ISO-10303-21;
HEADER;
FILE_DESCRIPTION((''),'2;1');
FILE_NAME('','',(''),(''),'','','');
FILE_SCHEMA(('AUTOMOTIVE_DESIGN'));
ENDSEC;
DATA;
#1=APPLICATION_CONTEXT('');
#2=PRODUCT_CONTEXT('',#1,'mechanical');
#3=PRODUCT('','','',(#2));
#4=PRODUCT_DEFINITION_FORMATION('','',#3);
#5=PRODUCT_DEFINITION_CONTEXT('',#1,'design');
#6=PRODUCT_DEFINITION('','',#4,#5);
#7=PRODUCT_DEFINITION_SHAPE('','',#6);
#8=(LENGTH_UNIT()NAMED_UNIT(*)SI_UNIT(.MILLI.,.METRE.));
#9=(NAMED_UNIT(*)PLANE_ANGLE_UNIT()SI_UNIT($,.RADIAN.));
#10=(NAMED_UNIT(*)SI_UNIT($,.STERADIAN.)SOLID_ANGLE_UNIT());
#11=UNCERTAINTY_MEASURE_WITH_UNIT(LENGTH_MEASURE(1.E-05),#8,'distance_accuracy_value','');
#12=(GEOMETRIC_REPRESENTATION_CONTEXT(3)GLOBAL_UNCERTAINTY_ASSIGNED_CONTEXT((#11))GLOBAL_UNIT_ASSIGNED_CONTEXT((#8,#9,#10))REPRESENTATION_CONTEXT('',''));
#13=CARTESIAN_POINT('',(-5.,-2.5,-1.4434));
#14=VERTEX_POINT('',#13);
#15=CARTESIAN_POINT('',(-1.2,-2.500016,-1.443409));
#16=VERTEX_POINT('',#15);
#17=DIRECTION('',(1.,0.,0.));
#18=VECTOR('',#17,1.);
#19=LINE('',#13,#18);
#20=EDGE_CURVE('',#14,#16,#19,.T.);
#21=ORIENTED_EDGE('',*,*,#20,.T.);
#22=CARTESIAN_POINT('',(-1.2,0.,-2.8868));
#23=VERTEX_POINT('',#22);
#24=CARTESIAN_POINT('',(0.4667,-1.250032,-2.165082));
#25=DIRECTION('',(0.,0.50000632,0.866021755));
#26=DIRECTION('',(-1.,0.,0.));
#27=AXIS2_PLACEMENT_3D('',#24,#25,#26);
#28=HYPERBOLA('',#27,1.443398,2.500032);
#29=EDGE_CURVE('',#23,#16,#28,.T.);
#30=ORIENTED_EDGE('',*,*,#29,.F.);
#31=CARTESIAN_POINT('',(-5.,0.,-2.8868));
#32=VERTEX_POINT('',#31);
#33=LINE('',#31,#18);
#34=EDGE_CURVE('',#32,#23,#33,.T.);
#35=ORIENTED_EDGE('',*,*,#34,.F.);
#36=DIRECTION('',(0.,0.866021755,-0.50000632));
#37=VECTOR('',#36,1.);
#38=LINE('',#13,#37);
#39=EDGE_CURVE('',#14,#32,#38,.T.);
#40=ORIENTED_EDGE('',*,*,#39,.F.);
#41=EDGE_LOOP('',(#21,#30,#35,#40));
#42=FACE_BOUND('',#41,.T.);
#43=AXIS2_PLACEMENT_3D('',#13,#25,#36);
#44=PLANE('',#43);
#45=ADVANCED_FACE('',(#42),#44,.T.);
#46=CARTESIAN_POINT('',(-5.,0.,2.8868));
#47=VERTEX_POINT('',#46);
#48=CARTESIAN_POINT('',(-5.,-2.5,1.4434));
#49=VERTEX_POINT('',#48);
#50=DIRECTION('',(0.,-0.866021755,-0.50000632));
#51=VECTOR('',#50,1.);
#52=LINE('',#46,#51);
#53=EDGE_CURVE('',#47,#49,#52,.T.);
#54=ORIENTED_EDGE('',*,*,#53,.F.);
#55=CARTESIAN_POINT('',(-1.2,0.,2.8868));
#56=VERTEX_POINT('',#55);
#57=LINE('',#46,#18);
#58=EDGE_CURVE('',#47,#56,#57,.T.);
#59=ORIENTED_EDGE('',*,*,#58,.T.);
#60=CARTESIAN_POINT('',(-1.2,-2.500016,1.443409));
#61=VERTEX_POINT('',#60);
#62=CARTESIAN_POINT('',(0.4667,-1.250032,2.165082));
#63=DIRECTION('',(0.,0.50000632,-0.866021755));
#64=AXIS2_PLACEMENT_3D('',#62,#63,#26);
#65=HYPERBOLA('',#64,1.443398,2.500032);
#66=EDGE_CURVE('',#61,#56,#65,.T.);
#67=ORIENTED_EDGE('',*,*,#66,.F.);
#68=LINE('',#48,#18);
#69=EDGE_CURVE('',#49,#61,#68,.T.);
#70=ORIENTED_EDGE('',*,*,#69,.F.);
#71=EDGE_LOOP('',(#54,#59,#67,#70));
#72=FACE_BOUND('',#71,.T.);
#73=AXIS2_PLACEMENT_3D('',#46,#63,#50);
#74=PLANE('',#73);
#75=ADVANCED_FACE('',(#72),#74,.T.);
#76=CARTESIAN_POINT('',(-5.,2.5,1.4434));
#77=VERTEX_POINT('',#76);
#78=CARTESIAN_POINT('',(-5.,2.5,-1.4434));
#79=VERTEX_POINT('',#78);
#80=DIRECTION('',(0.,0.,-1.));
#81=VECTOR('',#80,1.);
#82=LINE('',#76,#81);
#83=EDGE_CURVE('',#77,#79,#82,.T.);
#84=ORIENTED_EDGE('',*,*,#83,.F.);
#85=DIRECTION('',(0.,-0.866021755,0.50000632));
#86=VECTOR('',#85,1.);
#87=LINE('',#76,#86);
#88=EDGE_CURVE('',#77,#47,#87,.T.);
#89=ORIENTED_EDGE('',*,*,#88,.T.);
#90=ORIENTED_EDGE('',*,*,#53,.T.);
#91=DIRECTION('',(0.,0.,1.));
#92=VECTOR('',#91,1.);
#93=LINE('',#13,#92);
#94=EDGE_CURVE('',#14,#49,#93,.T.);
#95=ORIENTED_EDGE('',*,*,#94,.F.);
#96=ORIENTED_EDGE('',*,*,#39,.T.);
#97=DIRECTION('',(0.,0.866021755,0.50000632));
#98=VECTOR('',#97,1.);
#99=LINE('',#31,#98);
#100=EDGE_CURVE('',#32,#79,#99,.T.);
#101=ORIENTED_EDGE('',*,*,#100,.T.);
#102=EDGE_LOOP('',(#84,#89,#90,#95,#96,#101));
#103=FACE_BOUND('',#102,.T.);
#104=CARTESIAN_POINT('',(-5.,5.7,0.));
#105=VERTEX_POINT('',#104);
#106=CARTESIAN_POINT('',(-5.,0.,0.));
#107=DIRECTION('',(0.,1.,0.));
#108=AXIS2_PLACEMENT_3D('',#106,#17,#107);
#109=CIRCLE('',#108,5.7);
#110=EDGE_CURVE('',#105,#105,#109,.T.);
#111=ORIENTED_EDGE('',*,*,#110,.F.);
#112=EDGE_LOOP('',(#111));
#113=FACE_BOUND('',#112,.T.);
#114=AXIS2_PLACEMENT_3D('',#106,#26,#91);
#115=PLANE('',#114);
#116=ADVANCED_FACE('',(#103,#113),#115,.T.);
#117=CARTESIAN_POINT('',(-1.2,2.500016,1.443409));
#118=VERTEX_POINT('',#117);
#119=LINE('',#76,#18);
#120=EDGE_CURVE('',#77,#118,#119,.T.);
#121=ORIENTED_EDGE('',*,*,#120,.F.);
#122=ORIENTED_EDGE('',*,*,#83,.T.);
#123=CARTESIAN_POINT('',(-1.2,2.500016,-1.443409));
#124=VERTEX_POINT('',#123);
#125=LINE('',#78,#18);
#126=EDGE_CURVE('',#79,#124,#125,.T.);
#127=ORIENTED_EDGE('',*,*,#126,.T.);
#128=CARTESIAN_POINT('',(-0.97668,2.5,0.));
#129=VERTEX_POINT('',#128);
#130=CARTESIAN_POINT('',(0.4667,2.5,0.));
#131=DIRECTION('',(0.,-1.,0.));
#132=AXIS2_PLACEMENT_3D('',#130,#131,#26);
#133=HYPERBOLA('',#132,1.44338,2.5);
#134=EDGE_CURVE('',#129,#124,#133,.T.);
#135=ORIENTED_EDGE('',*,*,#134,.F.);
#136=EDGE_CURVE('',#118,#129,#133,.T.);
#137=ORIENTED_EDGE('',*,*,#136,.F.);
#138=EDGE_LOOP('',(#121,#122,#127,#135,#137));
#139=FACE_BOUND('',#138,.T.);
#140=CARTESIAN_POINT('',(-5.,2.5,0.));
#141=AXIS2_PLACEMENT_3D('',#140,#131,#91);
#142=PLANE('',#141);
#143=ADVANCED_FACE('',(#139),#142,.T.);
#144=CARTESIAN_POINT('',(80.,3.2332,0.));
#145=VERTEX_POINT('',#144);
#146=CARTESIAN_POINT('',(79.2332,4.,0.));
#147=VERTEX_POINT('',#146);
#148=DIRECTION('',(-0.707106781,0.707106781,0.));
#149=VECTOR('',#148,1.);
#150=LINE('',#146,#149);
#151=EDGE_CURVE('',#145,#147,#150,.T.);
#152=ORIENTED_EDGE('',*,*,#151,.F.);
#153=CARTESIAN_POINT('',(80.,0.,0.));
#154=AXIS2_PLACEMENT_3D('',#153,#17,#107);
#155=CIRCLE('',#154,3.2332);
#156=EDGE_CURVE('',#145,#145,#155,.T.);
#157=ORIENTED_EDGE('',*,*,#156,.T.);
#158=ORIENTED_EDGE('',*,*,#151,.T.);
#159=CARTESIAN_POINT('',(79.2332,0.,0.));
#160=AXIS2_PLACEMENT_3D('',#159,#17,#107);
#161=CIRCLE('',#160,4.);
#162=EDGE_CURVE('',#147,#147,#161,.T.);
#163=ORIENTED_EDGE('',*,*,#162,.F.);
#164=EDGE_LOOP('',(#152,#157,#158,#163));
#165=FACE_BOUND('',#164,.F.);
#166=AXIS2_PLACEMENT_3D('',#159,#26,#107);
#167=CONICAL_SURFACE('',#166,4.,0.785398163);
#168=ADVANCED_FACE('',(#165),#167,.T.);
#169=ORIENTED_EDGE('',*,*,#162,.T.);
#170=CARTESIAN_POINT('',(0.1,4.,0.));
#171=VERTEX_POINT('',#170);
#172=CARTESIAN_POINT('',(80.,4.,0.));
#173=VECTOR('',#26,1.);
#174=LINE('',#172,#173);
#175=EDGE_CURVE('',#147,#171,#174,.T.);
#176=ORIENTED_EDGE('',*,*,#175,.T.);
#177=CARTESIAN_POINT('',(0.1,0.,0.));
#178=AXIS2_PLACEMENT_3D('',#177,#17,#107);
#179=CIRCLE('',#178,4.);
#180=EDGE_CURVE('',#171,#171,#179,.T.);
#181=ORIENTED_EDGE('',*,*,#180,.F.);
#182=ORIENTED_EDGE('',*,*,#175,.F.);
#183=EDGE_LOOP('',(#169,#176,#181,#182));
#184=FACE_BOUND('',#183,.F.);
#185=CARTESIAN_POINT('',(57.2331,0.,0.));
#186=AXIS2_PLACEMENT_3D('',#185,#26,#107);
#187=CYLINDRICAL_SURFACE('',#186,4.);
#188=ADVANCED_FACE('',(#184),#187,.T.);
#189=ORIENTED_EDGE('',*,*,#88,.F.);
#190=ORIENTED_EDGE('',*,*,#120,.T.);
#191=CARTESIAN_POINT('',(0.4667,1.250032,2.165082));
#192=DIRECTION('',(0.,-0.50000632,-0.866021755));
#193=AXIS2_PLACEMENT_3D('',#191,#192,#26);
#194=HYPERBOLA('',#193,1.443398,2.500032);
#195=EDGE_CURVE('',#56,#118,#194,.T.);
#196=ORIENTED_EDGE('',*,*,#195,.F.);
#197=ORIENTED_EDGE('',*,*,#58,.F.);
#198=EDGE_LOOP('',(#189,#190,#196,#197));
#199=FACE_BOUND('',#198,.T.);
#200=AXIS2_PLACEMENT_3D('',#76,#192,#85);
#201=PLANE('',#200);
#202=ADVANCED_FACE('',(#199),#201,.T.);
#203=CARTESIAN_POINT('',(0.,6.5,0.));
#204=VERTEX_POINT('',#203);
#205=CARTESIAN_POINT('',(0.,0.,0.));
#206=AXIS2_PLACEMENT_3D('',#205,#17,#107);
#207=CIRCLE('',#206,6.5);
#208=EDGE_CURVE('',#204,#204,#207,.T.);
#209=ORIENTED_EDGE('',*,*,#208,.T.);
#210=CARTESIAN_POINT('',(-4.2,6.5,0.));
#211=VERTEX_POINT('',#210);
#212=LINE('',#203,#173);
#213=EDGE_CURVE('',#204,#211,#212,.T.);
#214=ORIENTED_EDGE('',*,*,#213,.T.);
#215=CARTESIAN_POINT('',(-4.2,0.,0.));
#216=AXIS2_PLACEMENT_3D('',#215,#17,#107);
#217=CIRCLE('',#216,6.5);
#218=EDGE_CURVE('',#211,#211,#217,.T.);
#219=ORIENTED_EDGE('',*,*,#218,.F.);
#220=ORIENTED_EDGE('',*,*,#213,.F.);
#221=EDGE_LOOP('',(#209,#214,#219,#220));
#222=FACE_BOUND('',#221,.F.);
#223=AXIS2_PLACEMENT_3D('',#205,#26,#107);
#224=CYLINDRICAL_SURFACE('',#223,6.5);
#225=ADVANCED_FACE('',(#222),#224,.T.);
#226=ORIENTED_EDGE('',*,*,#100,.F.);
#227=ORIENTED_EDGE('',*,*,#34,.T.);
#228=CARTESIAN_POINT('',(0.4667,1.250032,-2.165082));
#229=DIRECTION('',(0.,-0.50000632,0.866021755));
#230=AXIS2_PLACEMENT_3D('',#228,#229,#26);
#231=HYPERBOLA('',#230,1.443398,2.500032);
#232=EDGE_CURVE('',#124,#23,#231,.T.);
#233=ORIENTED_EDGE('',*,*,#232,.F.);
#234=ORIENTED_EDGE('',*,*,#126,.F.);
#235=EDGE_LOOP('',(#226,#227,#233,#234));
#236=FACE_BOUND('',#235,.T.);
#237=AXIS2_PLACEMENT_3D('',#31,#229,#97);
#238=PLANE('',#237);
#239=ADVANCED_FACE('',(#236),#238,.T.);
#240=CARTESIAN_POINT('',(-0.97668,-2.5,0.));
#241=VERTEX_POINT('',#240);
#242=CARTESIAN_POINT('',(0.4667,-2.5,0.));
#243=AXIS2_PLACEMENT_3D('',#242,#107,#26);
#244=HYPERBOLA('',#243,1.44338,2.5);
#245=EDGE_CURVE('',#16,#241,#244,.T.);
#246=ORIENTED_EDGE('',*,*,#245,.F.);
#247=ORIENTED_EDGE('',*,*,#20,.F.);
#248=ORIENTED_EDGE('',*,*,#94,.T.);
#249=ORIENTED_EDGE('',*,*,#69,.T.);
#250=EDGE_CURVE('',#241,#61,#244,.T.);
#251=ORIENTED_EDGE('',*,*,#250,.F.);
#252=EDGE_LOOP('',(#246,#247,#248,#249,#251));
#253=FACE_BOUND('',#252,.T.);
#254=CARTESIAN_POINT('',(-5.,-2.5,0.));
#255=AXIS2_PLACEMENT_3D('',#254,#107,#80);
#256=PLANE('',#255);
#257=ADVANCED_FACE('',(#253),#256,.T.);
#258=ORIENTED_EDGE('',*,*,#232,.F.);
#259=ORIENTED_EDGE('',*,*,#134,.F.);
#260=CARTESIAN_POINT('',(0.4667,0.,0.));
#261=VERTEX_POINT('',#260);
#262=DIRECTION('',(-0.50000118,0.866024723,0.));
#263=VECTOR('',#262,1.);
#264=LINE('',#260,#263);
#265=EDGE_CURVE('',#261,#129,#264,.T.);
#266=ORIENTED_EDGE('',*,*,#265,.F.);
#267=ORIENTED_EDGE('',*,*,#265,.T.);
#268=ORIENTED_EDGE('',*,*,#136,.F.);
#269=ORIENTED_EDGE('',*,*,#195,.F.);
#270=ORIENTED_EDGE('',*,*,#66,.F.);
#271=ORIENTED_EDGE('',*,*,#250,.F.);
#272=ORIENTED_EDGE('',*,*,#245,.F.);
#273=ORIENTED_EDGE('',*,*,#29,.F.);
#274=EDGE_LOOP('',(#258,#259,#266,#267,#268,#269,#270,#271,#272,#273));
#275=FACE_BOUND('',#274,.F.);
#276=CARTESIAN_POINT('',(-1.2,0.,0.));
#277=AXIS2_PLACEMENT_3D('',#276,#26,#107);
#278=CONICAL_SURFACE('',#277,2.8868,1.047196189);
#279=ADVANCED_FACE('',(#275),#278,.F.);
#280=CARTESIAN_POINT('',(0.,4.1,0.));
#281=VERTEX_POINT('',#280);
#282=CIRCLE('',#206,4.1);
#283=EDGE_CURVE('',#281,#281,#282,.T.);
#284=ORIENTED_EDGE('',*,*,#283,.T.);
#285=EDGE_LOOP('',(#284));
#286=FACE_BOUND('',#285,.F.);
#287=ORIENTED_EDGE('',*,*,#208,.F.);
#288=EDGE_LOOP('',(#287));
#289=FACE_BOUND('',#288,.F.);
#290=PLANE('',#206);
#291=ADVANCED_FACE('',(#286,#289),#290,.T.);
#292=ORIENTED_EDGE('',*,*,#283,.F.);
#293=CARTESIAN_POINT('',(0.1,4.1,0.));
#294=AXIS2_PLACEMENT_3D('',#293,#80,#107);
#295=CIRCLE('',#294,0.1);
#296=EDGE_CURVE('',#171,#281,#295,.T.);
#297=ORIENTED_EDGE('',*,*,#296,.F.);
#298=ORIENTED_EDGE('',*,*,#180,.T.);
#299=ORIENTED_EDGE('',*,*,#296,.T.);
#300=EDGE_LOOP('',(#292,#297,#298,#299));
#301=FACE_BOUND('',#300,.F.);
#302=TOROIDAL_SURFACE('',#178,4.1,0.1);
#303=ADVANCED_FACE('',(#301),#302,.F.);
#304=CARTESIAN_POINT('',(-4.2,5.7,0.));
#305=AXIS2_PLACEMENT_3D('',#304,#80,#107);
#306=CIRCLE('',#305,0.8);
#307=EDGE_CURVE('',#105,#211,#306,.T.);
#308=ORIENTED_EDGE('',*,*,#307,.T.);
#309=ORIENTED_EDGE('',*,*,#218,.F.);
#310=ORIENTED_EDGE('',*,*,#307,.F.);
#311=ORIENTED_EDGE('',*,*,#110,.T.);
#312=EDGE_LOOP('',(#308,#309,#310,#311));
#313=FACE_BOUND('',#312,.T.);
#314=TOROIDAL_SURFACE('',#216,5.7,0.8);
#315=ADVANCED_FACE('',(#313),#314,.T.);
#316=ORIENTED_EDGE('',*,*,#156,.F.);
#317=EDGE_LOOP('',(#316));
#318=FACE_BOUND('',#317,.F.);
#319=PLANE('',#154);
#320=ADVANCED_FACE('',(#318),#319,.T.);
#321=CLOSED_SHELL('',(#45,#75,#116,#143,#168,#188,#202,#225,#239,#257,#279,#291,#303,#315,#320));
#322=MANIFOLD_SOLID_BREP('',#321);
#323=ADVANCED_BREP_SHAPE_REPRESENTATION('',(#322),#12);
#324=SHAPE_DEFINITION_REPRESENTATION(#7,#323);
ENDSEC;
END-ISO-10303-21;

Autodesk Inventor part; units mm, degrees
ref_plane "YZ Plane" through (0, 0, 0) normal (1, 0, 0) x (0, 1, 0)
ref_plane "XZ Plane" through (0, 0, 0) normal (0, 1, 0) x (-1, 0, 0)
sketch "Sketch1" plane through (0, 0, 0) normal (0, 0, 1) x (1, 0, 0)
  line L0 (0.4667, 0) -> (80, 0)
  line L1 (80, 0) -> (80, 4)
  line L2 (80, 4) -> (58, 4)
  line L3 (58, 4) -> (57.2331, 4)
  line L4 (57.2331, 4) -> (0, 4)
  line L5 (0, 4) -> (0, 6.5)
  line L6 (0, 6.5) -> (-5, 6.5)
  line L7 (-5, 6.5) -> (-5, 2.8868)
  line L8 (-5, 2.8868) -> (-1.2, 2.8868)
  line L9 (-1.2, 2.8868) -> (0.4667, 0)
  line L10 (-22, 0) -> (97, 0) projected
  line L11 (0, -1.3) -> (0, 7.8) projected
  line L12 (58, 4) -> (0, 4) construction
  dimension "d1" = 22
  dimension "d2" = 0.7669
  dimension "d3" = 5
  dimension "d4" = 3.8
  dimension "d5" = 60
  dimension "d6" = 8
  dimension "d7" = 8
  dimension "d8" = 5.7735
  dimension "d9" = 13
  dimension "d26" = 80
revolve "Body" add sketch "Sketch1" angle 360 about axis through (0.4667, 0, 0) along (1, 0, 0) contours L9 L11 L4 L3 L2 L1 L0 | L9 L8 L7 L6 L5 L11
sketch "Sketch2" plane through (-5, 0, 0) normal (-1, 0, 0) x (0, 0, 1)
  circle A0 centre (0, 0) radius 2.8868 projected
  line L0 (0, -9.1) -> (0, 9.1) projected
  line L1 (-9.1, 0) -> (9.1, 0) projected
  line L2 (2.8868, 0) -> (1.4434, -2.5)
  line L3 (1.4434, -2.5) -> (-1.4434, -2.5)
  line L4 (-1.4434, -2.5) -> (-2.8868, 0)
  line L5 (-2.8868, 0) -> (-1.4434, 2.5)
  line L6 (-1.4434, 2.5) -> (1.4434, 2.5)
  line L7 (1.4434, 2.5) -> (2.8868, 0)
extrude "Slot" add sketch "Sketch2" against normal up to next contours L7 A0 | A0 L2 | L6 L0 A0 | A0 L0 L3 | L0 L6 A0 | A0 L3 L0 | L4 A0 | A0 L5
fillet "Fillet1" radius 0.8 1 edges at (-5, -6.5, 0)
thread "Thread" size "M8x1.25" class "6g" standard "ISO Metric profile" length 22
chamfer "Chamfer1" distance 0.7668 distance2 0.7668 1 edges at (80, -4, 0) measured on face at (80, -0.998, -1.3105)
ref_plane "Work Plane1" through (29, 0, 0) normal (0, -1, 0) x (1, 0, 0)
fillet "Fillet2" radius 0.1 1 edges at (0, -4, 0)
equation "\"d1\" = GEL"
equation "\"d3\" = KOH"
equation "\"d4\" = INTI"
equation "\"d6\" = GD"
equation "\"d7\" = BDM"
equation "\"d8\" = 1.1547 * SW"
equation "\"d9\" = KOD"
equation "\"d26\" = NLG"
equation "\"d30\" = R"
equation "\"d17\" = RR"
equation "\"d13\" = GEL"
equation "\"d15\" = -0.5 * SPD + 0.5 * GD"
equation "\"d16\" = GUL"
equation "\"GD\" = NND"
equation "\"NLG\" = 80"
equation "\"GEL\" = 22"
equation "\"KOD\" = 13"
equation "\"KOH\" = 5"
equation "\"INTI\" = 3.8"
equation "\"GAL\" = 0.61345 * PTC"
equation "\"GUL\" = 0.61345 * PTC"
equation "\"BDM\" = NND"
equation "\"SW\" = 5"
equation "\"RR\" = 0.8"
equation "\"SPD\" = NND - 1.2269 * PTC"
equation "\"R\" = 0.1"
equation "\"TOA\" = 30deg"
equation "\"GD1\" = THREADDIA - 1.2269 * PTC"
equation "\"THREADDIA\" = 8"
equation "\"FAWI\" = 45deg"
equation "\"ANG\" = 120deg"
equation "\"PTC\" = 1.25"
equation "\"NND\" = 8"
equation "\"E0\" = 1.155 * SW"
properties part number "DIN 7984 - M8 x 80" material "Steel, Mild"
